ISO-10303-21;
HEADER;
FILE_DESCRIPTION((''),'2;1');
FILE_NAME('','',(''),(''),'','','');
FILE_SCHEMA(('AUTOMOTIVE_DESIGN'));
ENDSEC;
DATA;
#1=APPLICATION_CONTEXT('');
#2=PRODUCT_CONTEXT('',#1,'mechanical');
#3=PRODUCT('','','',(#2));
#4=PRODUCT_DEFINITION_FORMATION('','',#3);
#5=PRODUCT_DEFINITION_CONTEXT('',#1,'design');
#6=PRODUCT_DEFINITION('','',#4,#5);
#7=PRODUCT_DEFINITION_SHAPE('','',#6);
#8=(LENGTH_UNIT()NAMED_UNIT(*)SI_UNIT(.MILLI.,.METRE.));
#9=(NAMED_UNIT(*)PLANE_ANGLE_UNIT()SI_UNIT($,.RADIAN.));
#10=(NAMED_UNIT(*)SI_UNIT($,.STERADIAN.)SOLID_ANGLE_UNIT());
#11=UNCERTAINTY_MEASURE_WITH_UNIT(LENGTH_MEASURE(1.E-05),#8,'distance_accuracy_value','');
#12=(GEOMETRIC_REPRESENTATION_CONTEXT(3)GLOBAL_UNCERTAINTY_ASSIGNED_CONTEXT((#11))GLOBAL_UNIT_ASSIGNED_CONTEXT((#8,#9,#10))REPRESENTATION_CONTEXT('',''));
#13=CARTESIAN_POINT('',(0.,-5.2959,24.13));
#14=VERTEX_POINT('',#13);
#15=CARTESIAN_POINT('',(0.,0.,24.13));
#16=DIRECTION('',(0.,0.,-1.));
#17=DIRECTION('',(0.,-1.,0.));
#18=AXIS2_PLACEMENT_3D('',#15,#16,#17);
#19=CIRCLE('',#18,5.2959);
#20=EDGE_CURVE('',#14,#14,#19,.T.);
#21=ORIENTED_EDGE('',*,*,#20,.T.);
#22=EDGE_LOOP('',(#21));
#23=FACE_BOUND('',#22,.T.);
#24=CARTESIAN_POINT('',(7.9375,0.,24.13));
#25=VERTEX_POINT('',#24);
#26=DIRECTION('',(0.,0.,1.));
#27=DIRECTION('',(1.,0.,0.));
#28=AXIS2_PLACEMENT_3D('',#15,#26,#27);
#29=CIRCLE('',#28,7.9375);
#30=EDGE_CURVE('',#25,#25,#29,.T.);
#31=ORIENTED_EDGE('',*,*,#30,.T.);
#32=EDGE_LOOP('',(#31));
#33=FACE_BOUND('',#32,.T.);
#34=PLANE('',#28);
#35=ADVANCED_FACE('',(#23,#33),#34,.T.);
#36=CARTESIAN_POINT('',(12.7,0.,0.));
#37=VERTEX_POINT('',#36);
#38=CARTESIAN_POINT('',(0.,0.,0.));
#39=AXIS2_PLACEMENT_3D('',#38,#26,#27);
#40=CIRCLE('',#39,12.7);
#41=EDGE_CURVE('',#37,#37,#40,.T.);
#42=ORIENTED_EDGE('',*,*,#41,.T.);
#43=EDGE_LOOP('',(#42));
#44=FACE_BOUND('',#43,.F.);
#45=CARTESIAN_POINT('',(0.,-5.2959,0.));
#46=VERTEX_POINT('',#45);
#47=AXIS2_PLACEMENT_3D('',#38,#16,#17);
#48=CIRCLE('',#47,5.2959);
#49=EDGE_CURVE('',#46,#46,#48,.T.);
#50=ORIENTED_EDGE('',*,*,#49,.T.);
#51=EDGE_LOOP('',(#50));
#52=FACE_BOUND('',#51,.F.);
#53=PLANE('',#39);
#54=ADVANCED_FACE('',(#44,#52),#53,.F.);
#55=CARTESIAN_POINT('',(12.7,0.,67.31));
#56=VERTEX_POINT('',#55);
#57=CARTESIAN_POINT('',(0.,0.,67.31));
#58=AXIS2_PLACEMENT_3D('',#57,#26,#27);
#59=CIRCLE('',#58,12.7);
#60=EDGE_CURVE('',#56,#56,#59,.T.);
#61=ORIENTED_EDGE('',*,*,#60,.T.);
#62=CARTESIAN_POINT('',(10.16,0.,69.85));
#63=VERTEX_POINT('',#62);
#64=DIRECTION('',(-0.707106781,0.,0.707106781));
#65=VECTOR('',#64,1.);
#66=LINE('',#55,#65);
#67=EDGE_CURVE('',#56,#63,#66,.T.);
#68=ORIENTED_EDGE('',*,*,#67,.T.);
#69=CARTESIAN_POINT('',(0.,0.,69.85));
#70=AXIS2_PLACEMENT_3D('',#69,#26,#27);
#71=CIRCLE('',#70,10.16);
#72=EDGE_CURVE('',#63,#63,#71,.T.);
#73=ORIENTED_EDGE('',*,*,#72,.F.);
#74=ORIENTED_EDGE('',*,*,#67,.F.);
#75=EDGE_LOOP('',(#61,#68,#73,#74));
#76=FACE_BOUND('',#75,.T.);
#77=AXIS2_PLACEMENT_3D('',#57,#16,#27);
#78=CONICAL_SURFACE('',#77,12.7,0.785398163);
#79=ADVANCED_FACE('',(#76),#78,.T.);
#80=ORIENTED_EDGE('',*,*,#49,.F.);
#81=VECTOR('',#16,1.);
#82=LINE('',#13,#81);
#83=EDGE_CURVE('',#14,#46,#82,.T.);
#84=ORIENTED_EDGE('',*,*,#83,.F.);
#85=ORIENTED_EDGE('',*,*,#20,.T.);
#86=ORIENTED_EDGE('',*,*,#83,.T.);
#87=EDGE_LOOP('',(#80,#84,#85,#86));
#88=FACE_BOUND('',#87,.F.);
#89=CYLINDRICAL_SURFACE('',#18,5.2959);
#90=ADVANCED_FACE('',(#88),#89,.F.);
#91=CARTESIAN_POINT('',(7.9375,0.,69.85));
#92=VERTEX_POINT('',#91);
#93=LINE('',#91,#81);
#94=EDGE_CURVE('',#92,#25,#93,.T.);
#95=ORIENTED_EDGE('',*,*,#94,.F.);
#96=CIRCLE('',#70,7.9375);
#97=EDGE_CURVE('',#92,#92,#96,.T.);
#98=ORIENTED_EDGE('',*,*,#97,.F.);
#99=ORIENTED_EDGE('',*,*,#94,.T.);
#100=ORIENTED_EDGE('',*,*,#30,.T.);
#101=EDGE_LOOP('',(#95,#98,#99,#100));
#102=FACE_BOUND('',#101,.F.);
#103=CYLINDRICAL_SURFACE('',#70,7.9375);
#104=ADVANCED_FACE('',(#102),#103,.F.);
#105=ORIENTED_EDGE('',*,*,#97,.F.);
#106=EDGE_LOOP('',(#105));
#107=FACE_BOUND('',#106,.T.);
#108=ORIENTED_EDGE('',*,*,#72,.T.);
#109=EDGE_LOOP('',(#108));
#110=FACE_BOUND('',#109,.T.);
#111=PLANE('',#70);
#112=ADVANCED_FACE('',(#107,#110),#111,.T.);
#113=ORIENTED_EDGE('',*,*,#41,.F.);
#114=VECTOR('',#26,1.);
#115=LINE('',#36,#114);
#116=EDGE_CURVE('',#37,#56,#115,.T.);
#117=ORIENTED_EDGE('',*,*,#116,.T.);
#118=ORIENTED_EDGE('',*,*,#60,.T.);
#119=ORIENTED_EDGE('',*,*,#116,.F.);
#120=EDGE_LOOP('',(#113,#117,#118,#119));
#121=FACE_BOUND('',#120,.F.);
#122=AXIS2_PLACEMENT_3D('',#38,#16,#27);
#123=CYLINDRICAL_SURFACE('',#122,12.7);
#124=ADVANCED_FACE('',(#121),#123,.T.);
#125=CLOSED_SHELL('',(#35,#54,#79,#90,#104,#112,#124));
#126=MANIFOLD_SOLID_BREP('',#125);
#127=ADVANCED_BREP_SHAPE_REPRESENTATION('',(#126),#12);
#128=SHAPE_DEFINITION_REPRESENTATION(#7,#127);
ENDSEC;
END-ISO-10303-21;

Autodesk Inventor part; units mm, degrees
ref_plane "YZ Plane" through (0, 0, 0) normal (1, 0, 0) x (0, 1, 0)
ref_plane "XZ Plane" through (0, 0, 0) normal (0, 1, 0) x (-1, 0, 0)
ref_plane "XY Plane" through (0, 0, 0) normal (0, 0, 1) x (1, 0, 0)
sketch "Sketch1" plane through (0, 0, 0) normal (0, 0, 1) x (1, 0, 0)
  circle A0 centre (0, 0) radius 12.7
  dimension "d0" = 25.4
extrude "Extrusion1" add sketch "Sketch1" along normal blind 69.85
sketch "Sketch2" plane through (0, 0, 69.85) normal (0, 0, 1) x (1, 0, 0)
  circle A0 centre (0, 0) radius 7.9375
  dimension "d3" = 15.875
extrude "Extrusion2" cut sketch "Sketch2" against normal blind 45.72
sketch "Sketch3" plane through (0, 0, 24.13) normal (0, 0, 1) x (1, 0, 0)
  point P0 (0, 0)
  point P1 (0, 0)
hole "Hole1" at (0, 0, 24.13) direction (0, 0, -1) diameter 10.5918 end through all thread size "1/2-13 UNC" class "2B" standard "ANSI Unified Screw Threads"
chamfer "Chamfer1" distance 2.54 angle 45 1 edges at (-12.7, 0, 69.85)
properties part number "Top_attachment"
